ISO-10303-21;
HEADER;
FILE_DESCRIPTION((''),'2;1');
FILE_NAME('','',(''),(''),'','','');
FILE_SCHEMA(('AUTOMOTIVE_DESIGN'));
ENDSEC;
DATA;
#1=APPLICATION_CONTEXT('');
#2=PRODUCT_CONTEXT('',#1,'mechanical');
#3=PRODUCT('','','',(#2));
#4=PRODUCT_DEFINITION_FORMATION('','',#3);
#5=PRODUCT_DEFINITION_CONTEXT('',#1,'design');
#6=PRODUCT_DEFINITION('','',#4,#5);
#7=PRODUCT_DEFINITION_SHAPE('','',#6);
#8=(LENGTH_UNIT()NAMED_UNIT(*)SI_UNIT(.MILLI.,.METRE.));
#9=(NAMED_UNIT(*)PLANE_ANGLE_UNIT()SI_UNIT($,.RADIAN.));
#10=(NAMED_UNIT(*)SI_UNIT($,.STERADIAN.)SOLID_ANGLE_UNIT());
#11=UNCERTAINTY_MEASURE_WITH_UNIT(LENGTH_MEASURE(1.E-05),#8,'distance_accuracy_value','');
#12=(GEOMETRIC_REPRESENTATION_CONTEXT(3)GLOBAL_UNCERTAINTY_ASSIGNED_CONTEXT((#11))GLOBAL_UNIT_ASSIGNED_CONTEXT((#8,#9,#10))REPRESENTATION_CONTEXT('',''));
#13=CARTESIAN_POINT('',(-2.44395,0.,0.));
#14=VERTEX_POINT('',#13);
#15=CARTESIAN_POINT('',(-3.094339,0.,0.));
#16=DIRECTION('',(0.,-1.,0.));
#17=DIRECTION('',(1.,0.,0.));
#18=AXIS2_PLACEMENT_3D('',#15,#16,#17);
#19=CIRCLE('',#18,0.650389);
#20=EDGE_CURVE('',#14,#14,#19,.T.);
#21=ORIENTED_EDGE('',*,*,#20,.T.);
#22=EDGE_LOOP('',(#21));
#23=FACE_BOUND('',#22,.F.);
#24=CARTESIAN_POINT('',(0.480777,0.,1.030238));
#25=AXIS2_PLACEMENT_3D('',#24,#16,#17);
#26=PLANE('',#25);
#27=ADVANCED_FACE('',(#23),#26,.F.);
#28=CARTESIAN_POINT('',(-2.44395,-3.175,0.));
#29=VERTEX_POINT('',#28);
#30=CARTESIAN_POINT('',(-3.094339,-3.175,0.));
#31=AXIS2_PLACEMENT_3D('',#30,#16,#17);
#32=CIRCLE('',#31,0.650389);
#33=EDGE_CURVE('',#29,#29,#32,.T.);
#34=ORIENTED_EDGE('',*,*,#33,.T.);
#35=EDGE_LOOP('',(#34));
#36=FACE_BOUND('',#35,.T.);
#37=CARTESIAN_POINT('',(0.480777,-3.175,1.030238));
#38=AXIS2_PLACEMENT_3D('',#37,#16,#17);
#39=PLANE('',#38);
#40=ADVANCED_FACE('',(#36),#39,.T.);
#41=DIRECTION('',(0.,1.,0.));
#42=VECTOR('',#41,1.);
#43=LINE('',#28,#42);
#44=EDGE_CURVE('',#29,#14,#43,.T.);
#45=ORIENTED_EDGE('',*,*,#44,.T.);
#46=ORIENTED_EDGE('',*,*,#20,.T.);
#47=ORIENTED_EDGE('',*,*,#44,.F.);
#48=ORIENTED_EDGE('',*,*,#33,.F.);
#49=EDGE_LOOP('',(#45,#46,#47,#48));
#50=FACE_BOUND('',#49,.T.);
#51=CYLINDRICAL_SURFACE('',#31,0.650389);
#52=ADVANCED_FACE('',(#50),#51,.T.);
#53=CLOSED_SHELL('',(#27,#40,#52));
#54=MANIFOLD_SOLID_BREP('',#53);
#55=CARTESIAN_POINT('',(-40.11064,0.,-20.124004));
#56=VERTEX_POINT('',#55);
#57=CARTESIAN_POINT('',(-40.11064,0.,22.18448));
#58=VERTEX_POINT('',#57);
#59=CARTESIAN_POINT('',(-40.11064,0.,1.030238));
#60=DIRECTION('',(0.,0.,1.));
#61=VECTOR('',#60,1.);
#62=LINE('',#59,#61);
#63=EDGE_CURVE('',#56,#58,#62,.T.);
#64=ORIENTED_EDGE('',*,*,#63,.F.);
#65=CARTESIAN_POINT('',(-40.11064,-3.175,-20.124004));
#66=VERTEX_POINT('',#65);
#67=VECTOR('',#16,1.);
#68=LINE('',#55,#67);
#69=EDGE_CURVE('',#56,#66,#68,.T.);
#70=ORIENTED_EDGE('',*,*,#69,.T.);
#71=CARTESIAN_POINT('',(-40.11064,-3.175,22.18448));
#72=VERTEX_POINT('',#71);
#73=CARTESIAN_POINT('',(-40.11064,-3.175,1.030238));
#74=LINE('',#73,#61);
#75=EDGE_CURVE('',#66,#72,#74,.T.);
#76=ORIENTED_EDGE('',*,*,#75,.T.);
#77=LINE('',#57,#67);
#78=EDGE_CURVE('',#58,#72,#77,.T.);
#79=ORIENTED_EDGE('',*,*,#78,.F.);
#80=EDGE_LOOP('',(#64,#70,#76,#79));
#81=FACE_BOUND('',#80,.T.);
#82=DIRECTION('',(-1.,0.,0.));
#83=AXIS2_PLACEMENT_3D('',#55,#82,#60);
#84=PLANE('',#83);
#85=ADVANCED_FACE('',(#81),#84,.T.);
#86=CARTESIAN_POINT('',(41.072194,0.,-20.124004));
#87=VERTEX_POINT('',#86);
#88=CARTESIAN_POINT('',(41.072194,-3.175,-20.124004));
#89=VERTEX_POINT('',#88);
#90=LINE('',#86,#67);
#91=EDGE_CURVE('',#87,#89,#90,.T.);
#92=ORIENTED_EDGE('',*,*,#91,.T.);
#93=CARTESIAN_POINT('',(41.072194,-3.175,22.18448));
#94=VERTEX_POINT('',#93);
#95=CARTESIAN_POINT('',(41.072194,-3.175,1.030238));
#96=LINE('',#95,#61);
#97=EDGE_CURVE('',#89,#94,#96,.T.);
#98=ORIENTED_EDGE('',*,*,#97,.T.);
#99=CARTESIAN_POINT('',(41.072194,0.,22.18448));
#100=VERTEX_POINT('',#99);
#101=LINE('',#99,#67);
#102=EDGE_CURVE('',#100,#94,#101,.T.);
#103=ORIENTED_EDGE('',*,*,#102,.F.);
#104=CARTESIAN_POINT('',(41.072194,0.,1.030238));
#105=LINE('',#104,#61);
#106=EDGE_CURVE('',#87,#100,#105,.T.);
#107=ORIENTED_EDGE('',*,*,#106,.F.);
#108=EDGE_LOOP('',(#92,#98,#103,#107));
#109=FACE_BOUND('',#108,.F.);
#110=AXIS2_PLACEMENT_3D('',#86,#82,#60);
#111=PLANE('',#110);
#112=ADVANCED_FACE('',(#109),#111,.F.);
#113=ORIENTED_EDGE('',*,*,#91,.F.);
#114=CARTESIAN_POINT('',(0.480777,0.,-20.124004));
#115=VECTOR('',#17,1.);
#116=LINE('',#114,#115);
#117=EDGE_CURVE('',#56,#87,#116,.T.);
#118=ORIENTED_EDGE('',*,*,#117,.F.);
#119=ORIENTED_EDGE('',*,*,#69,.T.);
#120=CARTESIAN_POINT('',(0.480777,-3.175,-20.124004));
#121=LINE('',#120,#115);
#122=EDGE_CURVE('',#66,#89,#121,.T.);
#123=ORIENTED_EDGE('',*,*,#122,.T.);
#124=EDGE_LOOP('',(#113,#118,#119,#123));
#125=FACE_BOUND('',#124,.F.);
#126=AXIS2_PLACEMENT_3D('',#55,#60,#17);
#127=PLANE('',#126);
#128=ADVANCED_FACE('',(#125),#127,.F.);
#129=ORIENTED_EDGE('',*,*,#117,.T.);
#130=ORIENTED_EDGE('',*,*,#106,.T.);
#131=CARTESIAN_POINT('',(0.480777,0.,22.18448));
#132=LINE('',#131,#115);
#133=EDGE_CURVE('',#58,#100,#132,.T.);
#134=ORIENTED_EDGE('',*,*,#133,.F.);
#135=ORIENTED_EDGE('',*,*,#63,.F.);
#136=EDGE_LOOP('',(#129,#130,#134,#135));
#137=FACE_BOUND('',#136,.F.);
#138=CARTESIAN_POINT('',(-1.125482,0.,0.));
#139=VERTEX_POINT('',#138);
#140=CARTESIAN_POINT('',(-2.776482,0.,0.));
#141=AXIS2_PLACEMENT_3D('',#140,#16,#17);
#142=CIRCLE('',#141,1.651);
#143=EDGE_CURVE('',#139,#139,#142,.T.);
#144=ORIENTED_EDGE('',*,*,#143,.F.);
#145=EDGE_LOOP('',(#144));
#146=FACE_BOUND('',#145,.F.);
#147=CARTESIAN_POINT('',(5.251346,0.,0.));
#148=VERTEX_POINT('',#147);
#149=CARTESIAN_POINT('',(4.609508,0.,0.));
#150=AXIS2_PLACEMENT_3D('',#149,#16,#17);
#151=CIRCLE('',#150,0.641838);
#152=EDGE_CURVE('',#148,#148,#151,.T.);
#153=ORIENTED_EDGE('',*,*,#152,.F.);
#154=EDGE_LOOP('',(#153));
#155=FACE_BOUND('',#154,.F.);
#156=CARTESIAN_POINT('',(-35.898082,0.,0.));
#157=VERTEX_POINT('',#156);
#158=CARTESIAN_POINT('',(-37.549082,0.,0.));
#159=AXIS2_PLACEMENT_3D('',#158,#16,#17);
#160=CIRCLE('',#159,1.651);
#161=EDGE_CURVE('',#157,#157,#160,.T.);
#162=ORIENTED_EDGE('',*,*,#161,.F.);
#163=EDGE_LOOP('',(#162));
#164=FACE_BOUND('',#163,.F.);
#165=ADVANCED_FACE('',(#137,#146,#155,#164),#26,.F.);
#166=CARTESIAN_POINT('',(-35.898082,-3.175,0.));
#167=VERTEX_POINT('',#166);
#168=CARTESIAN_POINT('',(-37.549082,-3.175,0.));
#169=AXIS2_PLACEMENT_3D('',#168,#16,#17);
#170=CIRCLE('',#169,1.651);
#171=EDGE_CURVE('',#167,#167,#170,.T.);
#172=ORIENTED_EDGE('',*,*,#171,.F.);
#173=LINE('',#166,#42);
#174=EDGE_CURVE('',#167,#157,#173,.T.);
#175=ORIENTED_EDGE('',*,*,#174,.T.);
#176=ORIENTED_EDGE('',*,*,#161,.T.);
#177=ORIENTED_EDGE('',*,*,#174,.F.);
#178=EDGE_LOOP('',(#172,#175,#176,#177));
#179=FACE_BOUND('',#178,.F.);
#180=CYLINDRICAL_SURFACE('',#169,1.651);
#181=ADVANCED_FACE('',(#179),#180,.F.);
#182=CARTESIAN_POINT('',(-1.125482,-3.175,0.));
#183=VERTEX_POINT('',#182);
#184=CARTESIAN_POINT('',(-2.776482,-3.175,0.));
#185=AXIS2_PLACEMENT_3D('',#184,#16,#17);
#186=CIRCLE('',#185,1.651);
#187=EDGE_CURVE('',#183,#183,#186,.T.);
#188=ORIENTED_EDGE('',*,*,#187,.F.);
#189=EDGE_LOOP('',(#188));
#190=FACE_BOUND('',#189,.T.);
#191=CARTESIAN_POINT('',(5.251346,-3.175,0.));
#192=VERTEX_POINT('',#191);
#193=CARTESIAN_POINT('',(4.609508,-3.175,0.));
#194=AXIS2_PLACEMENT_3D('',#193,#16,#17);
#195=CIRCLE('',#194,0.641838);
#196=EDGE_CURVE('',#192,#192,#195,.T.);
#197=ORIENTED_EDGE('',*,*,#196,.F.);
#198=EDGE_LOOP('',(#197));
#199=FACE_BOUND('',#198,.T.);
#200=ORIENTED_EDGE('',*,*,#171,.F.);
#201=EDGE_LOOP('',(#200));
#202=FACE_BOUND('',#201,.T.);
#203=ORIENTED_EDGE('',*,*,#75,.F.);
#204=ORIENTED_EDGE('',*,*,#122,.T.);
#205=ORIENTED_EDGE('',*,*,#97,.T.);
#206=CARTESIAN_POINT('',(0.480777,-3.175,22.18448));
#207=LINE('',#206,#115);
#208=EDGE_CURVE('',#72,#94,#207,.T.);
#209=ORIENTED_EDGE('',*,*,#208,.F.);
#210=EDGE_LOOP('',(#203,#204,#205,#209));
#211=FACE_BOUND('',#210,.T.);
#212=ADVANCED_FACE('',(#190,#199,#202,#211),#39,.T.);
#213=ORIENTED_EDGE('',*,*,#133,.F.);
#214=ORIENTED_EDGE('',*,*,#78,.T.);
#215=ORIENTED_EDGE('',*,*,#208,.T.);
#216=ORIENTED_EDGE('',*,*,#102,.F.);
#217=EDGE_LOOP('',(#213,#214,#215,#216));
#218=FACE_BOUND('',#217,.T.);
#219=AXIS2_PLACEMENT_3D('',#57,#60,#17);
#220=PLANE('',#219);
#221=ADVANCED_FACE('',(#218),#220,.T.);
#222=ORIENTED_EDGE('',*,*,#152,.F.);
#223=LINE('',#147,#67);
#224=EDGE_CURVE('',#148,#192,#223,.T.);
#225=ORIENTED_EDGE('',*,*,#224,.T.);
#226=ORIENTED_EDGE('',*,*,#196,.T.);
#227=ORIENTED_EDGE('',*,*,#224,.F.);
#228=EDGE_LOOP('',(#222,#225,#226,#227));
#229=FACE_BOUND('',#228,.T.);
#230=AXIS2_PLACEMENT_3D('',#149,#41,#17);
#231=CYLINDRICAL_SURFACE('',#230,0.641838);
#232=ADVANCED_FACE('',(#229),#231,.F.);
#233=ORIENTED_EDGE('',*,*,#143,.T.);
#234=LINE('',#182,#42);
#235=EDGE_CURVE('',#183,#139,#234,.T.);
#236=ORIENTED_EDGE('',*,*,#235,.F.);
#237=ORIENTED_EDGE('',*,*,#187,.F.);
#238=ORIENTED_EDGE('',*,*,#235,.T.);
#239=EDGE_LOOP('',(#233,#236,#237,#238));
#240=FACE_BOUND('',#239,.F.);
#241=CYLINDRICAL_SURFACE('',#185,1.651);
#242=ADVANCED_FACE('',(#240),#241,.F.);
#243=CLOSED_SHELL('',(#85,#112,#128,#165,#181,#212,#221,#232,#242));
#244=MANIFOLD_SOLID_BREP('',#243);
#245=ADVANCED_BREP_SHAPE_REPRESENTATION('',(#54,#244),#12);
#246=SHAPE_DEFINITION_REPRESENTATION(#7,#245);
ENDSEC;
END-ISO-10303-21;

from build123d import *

# Parameters (mm, degrees)
F0_W     = 81.182834
F0_H     = 42.308484
F0_R     = 0.641838
F1_DEPTH = 3.175
F2_R     = 1.651
F2_R_2   = 0.650389
F3_DEPTH = 12.7
F4_DEPTH = 25.4


with BuildPart() as f1:
    # F0 (on Front) → F1 (new body)
    with BuildSketch(Plane.XZ):
        with Locations((0.480777, 1.030238)):
            Rectangle(F0_W, F0_H)
        with Locations((4.609508, 0)):
            Circle(F0_R, mode=Mode.SUBTRACT)
    extrude(amount=F1_DEPTH)

    # F2 (on face) → F3 (cut)
    with BuildSketch(Plane.XZ.offset(3.175)):
        with Locations((-2.776482, 0)):
            Circle(F2_R)
        with Locations((-3.094339, 0)):
            Circle(F2_R_2, mode=Mode.SUBTRACT)
        with Locations((-37.549082, 0)):
            Circle(F2_R)
    extrude(amount=-F3_DEPTH, mode=Mode.SUBTRACT)

    # F0 (on Front) → F4 (cut)
    with BuildSketch(Plane.XZ):
        with Locations((0.480777, 1.030238)):
            Rectangle(F0_W, F0_H)
        with Locations((4.609508, 0)):
            Circle(F0_R, mode=Mode.SUBTRACT)
    extrude(amount=-F4_DEPTH, mode=Mode.SUBTRACT)


solid = f1.part
